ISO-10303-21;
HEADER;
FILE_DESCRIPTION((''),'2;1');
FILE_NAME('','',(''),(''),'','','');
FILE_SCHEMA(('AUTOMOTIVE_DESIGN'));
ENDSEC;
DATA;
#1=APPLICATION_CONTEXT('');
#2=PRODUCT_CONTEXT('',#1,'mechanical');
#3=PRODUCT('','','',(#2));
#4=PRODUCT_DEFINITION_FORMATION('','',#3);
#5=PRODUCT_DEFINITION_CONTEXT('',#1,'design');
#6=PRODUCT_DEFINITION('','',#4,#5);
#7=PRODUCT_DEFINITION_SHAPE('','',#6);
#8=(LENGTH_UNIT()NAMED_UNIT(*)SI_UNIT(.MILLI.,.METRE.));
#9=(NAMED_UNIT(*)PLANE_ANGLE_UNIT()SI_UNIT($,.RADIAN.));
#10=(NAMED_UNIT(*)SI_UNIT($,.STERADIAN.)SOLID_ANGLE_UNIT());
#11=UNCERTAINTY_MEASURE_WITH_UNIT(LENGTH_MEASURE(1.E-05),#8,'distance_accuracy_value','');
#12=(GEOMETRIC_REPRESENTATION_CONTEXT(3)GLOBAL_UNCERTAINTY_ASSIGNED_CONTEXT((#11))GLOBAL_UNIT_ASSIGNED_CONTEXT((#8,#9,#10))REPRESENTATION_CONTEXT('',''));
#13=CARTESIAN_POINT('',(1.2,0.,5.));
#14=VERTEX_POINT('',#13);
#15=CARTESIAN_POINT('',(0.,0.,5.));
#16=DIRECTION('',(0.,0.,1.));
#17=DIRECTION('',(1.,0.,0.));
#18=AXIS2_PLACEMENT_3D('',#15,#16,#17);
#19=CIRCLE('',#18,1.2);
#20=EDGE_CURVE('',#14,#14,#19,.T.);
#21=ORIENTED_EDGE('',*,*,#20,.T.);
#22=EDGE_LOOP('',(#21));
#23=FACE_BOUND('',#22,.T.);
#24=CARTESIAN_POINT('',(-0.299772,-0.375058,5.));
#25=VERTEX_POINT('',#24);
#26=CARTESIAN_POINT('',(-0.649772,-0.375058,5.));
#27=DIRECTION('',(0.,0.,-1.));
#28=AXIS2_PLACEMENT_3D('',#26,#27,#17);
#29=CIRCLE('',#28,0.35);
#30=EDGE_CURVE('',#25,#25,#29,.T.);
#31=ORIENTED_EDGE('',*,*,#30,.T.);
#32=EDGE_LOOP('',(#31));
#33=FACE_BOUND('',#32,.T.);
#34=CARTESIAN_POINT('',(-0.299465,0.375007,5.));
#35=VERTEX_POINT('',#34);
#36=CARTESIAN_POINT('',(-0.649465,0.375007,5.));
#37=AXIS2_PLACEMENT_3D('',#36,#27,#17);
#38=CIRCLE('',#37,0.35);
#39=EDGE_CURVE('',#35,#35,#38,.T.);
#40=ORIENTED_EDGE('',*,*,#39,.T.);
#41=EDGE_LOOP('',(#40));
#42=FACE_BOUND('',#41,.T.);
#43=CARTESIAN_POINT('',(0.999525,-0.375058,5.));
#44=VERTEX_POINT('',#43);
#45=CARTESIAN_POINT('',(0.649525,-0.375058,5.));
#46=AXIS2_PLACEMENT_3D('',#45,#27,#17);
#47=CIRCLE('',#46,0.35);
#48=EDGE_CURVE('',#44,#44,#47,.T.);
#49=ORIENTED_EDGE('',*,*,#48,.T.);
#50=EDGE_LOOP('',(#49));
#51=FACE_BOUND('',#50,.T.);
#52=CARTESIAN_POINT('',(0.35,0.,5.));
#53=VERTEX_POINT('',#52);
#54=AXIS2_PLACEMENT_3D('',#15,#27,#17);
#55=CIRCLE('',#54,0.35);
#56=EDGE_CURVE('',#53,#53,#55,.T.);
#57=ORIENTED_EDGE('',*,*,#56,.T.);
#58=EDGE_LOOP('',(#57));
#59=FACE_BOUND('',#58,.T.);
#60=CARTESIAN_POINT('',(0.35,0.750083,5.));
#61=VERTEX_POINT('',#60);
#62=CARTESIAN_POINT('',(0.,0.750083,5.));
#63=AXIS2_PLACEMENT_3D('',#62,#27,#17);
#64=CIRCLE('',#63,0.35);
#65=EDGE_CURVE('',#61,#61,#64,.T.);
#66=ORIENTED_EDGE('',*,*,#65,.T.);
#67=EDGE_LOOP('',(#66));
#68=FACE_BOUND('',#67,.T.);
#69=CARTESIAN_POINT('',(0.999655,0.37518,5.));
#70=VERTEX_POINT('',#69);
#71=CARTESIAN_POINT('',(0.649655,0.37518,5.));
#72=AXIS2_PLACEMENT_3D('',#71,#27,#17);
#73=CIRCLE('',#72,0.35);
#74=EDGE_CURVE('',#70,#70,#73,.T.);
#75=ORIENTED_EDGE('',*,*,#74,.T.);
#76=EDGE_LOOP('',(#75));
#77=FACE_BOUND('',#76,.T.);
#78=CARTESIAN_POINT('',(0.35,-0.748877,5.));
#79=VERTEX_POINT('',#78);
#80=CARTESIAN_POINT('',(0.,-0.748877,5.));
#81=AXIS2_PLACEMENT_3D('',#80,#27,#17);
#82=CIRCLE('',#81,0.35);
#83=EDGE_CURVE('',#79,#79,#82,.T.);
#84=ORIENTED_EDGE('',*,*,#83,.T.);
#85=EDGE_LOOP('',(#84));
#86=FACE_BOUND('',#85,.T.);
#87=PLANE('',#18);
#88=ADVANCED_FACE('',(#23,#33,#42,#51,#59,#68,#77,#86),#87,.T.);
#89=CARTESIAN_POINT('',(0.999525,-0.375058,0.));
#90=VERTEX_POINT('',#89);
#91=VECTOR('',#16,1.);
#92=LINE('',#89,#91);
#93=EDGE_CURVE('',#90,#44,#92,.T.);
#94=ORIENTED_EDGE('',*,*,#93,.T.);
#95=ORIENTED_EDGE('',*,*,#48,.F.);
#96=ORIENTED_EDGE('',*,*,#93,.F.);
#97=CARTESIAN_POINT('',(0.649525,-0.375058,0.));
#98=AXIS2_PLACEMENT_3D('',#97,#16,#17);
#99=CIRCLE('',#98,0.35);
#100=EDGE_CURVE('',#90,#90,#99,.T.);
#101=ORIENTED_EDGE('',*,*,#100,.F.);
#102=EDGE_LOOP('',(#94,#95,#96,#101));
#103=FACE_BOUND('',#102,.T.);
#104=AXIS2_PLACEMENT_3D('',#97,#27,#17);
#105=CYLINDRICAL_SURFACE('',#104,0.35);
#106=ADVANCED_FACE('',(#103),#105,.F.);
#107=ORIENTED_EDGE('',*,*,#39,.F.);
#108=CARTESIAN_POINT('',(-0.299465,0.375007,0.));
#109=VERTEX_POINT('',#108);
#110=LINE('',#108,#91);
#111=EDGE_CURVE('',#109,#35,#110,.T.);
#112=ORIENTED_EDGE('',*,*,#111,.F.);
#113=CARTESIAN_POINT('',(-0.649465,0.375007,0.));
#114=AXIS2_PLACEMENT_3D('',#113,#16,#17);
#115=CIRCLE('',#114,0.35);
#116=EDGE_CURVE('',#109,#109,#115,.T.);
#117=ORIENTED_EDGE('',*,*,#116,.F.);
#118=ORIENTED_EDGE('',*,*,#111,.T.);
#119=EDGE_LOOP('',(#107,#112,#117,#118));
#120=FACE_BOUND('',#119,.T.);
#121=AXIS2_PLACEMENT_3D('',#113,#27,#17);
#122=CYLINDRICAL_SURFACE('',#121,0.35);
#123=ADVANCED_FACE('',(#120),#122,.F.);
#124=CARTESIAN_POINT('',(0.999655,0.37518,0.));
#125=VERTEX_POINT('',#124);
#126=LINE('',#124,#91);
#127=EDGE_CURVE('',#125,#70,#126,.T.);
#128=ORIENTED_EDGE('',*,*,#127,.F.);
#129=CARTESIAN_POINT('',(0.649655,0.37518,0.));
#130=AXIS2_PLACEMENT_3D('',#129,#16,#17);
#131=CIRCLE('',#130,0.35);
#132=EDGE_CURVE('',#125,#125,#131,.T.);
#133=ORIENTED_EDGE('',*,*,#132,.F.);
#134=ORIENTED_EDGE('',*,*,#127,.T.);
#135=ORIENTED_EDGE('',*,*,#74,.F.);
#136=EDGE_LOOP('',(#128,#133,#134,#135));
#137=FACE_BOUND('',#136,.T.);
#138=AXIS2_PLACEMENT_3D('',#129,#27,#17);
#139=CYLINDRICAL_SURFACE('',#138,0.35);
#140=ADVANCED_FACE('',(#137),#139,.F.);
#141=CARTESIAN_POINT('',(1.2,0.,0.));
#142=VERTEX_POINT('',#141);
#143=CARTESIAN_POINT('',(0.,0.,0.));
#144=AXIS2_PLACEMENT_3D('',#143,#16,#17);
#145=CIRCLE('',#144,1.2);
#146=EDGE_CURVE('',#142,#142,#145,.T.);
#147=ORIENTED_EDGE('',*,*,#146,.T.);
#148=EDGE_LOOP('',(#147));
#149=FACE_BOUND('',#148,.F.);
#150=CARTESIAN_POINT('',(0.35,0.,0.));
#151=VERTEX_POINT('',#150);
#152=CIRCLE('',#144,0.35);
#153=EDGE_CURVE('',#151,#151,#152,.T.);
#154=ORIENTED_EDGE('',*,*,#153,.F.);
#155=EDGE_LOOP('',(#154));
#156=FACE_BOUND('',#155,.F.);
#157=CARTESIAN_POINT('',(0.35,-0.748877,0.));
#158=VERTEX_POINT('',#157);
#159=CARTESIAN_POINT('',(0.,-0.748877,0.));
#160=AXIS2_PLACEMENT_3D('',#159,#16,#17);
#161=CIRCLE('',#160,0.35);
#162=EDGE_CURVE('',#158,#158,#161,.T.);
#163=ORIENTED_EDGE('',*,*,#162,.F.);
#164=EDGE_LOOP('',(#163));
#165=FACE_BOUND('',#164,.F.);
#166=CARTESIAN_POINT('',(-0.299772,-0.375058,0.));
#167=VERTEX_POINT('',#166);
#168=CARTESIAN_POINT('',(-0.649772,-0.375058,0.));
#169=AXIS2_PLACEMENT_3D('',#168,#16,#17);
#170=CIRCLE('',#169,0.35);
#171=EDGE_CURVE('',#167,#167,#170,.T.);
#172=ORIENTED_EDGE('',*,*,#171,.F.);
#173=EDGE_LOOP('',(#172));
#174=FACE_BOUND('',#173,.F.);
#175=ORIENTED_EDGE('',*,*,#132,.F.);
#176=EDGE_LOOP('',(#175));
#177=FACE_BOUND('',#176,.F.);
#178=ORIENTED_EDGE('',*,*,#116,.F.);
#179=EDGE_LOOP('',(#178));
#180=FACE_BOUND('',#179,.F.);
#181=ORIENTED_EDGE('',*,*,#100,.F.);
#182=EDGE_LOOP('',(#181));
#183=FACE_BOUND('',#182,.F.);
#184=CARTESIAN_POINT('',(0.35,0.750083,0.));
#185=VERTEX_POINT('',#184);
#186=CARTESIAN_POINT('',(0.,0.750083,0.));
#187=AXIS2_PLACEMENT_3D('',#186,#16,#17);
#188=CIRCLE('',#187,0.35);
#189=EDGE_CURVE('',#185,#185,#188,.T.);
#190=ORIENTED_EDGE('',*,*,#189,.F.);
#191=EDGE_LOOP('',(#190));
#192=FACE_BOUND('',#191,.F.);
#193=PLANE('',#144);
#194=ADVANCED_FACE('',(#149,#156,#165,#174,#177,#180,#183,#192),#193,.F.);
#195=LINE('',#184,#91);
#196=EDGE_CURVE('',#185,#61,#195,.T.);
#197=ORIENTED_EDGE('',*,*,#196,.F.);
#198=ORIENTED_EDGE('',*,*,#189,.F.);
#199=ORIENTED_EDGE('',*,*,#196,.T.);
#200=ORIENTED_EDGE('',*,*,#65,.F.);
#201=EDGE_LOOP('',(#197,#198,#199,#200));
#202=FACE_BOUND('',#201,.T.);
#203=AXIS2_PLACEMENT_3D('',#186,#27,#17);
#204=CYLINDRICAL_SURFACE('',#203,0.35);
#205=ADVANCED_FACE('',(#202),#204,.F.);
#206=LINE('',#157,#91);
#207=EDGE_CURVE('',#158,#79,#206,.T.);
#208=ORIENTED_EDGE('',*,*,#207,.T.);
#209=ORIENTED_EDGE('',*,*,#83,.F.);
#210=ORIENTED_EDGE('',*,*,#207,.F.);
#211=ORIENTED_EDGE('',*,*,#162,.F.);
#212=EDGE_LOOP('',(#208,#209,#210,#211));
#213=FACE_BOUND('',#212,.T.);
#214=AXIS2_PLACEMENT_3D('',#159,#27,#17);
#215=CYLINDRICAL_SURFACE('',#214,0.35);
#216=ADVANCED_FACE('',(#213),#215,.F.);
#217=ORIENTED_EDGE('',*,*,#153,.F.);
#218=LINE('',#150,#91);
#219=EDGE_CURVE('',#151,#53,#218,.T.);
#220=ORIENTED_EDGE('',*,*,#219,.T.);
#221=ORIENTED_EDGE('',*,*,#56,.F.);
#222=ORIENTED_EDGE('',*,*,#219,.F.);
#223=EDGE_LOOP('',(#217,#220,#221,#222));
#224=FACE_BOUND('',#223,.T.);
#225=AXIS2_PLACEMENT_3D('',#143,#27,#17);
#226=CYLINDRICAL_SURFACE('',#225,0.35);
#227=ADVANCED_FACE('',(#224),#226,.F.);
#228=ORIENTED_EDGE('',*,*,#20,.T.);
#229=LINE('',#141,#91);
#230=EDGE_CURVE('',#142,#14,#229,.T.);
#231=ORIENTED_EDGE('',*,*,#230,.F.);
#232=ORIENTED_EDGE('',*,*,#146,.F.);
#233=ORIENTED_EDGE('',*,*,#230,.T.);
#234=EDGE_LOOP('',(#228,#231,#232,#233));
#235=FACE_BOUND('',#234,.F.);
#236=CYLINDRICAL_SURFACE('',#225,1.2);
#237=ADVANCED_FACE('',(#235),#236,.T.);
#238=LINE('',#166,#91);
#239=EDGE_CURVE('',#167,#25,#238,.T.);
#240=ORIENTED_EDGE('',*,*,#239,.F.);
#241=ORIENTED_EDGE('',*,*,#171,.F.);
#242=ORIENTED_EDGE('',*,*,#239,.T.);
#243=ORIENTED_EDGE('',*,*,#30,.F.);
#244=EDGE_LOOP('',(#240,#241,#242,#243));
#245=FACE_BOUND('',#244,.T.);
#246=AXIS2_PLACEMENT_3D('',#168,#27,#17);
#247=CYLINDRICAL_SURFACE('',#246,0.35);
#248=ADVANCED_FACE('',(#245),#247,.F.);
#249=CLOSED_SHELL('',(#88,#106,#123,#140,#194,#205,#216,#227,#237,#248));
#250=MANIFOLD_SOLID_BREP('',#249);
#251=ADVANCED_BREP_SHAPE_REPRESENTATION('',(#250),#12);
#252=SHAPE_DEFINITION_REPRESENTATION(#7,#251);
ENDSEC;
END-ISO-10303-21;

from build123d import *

# Parameters (mm, degrees)
F1_R     = 1.2
F2_DEPTH = 5
F0_R     = 0.35
F3_DEPTH = 5.001


with BuildPart() as f2:
    # F1 (on Top) → F2 (new body)
    with BuildSketch(Plane.XY):
        Circle(F1_R)
    extrude(amount=F2_DEPTH)

    # F0 (on Top) → F3 (cut, through all)
    with BuildSketch(Plane.XY):
        Circle(F0_R)
        with Locations((0, 0.750083)):
            Circle(F0_R)
        with Locations((0.649655, 0.37518)):
            Circle(F0_R)
        with Locations((0.649525, -0.375058)):
            Circle(F0_R)
        with Locations((0, -0.748877)):
            Circle(F0_R)
        with Locations((-0.649772, -0.375058)):
            Circle(F0_R)
        with Locations((-0.649465, 0.375007)):
            Circle(F0_R)
    extrude(amount=F3_DEPTH, mode=Mode.SUBTRACT)


solid = f2.part
